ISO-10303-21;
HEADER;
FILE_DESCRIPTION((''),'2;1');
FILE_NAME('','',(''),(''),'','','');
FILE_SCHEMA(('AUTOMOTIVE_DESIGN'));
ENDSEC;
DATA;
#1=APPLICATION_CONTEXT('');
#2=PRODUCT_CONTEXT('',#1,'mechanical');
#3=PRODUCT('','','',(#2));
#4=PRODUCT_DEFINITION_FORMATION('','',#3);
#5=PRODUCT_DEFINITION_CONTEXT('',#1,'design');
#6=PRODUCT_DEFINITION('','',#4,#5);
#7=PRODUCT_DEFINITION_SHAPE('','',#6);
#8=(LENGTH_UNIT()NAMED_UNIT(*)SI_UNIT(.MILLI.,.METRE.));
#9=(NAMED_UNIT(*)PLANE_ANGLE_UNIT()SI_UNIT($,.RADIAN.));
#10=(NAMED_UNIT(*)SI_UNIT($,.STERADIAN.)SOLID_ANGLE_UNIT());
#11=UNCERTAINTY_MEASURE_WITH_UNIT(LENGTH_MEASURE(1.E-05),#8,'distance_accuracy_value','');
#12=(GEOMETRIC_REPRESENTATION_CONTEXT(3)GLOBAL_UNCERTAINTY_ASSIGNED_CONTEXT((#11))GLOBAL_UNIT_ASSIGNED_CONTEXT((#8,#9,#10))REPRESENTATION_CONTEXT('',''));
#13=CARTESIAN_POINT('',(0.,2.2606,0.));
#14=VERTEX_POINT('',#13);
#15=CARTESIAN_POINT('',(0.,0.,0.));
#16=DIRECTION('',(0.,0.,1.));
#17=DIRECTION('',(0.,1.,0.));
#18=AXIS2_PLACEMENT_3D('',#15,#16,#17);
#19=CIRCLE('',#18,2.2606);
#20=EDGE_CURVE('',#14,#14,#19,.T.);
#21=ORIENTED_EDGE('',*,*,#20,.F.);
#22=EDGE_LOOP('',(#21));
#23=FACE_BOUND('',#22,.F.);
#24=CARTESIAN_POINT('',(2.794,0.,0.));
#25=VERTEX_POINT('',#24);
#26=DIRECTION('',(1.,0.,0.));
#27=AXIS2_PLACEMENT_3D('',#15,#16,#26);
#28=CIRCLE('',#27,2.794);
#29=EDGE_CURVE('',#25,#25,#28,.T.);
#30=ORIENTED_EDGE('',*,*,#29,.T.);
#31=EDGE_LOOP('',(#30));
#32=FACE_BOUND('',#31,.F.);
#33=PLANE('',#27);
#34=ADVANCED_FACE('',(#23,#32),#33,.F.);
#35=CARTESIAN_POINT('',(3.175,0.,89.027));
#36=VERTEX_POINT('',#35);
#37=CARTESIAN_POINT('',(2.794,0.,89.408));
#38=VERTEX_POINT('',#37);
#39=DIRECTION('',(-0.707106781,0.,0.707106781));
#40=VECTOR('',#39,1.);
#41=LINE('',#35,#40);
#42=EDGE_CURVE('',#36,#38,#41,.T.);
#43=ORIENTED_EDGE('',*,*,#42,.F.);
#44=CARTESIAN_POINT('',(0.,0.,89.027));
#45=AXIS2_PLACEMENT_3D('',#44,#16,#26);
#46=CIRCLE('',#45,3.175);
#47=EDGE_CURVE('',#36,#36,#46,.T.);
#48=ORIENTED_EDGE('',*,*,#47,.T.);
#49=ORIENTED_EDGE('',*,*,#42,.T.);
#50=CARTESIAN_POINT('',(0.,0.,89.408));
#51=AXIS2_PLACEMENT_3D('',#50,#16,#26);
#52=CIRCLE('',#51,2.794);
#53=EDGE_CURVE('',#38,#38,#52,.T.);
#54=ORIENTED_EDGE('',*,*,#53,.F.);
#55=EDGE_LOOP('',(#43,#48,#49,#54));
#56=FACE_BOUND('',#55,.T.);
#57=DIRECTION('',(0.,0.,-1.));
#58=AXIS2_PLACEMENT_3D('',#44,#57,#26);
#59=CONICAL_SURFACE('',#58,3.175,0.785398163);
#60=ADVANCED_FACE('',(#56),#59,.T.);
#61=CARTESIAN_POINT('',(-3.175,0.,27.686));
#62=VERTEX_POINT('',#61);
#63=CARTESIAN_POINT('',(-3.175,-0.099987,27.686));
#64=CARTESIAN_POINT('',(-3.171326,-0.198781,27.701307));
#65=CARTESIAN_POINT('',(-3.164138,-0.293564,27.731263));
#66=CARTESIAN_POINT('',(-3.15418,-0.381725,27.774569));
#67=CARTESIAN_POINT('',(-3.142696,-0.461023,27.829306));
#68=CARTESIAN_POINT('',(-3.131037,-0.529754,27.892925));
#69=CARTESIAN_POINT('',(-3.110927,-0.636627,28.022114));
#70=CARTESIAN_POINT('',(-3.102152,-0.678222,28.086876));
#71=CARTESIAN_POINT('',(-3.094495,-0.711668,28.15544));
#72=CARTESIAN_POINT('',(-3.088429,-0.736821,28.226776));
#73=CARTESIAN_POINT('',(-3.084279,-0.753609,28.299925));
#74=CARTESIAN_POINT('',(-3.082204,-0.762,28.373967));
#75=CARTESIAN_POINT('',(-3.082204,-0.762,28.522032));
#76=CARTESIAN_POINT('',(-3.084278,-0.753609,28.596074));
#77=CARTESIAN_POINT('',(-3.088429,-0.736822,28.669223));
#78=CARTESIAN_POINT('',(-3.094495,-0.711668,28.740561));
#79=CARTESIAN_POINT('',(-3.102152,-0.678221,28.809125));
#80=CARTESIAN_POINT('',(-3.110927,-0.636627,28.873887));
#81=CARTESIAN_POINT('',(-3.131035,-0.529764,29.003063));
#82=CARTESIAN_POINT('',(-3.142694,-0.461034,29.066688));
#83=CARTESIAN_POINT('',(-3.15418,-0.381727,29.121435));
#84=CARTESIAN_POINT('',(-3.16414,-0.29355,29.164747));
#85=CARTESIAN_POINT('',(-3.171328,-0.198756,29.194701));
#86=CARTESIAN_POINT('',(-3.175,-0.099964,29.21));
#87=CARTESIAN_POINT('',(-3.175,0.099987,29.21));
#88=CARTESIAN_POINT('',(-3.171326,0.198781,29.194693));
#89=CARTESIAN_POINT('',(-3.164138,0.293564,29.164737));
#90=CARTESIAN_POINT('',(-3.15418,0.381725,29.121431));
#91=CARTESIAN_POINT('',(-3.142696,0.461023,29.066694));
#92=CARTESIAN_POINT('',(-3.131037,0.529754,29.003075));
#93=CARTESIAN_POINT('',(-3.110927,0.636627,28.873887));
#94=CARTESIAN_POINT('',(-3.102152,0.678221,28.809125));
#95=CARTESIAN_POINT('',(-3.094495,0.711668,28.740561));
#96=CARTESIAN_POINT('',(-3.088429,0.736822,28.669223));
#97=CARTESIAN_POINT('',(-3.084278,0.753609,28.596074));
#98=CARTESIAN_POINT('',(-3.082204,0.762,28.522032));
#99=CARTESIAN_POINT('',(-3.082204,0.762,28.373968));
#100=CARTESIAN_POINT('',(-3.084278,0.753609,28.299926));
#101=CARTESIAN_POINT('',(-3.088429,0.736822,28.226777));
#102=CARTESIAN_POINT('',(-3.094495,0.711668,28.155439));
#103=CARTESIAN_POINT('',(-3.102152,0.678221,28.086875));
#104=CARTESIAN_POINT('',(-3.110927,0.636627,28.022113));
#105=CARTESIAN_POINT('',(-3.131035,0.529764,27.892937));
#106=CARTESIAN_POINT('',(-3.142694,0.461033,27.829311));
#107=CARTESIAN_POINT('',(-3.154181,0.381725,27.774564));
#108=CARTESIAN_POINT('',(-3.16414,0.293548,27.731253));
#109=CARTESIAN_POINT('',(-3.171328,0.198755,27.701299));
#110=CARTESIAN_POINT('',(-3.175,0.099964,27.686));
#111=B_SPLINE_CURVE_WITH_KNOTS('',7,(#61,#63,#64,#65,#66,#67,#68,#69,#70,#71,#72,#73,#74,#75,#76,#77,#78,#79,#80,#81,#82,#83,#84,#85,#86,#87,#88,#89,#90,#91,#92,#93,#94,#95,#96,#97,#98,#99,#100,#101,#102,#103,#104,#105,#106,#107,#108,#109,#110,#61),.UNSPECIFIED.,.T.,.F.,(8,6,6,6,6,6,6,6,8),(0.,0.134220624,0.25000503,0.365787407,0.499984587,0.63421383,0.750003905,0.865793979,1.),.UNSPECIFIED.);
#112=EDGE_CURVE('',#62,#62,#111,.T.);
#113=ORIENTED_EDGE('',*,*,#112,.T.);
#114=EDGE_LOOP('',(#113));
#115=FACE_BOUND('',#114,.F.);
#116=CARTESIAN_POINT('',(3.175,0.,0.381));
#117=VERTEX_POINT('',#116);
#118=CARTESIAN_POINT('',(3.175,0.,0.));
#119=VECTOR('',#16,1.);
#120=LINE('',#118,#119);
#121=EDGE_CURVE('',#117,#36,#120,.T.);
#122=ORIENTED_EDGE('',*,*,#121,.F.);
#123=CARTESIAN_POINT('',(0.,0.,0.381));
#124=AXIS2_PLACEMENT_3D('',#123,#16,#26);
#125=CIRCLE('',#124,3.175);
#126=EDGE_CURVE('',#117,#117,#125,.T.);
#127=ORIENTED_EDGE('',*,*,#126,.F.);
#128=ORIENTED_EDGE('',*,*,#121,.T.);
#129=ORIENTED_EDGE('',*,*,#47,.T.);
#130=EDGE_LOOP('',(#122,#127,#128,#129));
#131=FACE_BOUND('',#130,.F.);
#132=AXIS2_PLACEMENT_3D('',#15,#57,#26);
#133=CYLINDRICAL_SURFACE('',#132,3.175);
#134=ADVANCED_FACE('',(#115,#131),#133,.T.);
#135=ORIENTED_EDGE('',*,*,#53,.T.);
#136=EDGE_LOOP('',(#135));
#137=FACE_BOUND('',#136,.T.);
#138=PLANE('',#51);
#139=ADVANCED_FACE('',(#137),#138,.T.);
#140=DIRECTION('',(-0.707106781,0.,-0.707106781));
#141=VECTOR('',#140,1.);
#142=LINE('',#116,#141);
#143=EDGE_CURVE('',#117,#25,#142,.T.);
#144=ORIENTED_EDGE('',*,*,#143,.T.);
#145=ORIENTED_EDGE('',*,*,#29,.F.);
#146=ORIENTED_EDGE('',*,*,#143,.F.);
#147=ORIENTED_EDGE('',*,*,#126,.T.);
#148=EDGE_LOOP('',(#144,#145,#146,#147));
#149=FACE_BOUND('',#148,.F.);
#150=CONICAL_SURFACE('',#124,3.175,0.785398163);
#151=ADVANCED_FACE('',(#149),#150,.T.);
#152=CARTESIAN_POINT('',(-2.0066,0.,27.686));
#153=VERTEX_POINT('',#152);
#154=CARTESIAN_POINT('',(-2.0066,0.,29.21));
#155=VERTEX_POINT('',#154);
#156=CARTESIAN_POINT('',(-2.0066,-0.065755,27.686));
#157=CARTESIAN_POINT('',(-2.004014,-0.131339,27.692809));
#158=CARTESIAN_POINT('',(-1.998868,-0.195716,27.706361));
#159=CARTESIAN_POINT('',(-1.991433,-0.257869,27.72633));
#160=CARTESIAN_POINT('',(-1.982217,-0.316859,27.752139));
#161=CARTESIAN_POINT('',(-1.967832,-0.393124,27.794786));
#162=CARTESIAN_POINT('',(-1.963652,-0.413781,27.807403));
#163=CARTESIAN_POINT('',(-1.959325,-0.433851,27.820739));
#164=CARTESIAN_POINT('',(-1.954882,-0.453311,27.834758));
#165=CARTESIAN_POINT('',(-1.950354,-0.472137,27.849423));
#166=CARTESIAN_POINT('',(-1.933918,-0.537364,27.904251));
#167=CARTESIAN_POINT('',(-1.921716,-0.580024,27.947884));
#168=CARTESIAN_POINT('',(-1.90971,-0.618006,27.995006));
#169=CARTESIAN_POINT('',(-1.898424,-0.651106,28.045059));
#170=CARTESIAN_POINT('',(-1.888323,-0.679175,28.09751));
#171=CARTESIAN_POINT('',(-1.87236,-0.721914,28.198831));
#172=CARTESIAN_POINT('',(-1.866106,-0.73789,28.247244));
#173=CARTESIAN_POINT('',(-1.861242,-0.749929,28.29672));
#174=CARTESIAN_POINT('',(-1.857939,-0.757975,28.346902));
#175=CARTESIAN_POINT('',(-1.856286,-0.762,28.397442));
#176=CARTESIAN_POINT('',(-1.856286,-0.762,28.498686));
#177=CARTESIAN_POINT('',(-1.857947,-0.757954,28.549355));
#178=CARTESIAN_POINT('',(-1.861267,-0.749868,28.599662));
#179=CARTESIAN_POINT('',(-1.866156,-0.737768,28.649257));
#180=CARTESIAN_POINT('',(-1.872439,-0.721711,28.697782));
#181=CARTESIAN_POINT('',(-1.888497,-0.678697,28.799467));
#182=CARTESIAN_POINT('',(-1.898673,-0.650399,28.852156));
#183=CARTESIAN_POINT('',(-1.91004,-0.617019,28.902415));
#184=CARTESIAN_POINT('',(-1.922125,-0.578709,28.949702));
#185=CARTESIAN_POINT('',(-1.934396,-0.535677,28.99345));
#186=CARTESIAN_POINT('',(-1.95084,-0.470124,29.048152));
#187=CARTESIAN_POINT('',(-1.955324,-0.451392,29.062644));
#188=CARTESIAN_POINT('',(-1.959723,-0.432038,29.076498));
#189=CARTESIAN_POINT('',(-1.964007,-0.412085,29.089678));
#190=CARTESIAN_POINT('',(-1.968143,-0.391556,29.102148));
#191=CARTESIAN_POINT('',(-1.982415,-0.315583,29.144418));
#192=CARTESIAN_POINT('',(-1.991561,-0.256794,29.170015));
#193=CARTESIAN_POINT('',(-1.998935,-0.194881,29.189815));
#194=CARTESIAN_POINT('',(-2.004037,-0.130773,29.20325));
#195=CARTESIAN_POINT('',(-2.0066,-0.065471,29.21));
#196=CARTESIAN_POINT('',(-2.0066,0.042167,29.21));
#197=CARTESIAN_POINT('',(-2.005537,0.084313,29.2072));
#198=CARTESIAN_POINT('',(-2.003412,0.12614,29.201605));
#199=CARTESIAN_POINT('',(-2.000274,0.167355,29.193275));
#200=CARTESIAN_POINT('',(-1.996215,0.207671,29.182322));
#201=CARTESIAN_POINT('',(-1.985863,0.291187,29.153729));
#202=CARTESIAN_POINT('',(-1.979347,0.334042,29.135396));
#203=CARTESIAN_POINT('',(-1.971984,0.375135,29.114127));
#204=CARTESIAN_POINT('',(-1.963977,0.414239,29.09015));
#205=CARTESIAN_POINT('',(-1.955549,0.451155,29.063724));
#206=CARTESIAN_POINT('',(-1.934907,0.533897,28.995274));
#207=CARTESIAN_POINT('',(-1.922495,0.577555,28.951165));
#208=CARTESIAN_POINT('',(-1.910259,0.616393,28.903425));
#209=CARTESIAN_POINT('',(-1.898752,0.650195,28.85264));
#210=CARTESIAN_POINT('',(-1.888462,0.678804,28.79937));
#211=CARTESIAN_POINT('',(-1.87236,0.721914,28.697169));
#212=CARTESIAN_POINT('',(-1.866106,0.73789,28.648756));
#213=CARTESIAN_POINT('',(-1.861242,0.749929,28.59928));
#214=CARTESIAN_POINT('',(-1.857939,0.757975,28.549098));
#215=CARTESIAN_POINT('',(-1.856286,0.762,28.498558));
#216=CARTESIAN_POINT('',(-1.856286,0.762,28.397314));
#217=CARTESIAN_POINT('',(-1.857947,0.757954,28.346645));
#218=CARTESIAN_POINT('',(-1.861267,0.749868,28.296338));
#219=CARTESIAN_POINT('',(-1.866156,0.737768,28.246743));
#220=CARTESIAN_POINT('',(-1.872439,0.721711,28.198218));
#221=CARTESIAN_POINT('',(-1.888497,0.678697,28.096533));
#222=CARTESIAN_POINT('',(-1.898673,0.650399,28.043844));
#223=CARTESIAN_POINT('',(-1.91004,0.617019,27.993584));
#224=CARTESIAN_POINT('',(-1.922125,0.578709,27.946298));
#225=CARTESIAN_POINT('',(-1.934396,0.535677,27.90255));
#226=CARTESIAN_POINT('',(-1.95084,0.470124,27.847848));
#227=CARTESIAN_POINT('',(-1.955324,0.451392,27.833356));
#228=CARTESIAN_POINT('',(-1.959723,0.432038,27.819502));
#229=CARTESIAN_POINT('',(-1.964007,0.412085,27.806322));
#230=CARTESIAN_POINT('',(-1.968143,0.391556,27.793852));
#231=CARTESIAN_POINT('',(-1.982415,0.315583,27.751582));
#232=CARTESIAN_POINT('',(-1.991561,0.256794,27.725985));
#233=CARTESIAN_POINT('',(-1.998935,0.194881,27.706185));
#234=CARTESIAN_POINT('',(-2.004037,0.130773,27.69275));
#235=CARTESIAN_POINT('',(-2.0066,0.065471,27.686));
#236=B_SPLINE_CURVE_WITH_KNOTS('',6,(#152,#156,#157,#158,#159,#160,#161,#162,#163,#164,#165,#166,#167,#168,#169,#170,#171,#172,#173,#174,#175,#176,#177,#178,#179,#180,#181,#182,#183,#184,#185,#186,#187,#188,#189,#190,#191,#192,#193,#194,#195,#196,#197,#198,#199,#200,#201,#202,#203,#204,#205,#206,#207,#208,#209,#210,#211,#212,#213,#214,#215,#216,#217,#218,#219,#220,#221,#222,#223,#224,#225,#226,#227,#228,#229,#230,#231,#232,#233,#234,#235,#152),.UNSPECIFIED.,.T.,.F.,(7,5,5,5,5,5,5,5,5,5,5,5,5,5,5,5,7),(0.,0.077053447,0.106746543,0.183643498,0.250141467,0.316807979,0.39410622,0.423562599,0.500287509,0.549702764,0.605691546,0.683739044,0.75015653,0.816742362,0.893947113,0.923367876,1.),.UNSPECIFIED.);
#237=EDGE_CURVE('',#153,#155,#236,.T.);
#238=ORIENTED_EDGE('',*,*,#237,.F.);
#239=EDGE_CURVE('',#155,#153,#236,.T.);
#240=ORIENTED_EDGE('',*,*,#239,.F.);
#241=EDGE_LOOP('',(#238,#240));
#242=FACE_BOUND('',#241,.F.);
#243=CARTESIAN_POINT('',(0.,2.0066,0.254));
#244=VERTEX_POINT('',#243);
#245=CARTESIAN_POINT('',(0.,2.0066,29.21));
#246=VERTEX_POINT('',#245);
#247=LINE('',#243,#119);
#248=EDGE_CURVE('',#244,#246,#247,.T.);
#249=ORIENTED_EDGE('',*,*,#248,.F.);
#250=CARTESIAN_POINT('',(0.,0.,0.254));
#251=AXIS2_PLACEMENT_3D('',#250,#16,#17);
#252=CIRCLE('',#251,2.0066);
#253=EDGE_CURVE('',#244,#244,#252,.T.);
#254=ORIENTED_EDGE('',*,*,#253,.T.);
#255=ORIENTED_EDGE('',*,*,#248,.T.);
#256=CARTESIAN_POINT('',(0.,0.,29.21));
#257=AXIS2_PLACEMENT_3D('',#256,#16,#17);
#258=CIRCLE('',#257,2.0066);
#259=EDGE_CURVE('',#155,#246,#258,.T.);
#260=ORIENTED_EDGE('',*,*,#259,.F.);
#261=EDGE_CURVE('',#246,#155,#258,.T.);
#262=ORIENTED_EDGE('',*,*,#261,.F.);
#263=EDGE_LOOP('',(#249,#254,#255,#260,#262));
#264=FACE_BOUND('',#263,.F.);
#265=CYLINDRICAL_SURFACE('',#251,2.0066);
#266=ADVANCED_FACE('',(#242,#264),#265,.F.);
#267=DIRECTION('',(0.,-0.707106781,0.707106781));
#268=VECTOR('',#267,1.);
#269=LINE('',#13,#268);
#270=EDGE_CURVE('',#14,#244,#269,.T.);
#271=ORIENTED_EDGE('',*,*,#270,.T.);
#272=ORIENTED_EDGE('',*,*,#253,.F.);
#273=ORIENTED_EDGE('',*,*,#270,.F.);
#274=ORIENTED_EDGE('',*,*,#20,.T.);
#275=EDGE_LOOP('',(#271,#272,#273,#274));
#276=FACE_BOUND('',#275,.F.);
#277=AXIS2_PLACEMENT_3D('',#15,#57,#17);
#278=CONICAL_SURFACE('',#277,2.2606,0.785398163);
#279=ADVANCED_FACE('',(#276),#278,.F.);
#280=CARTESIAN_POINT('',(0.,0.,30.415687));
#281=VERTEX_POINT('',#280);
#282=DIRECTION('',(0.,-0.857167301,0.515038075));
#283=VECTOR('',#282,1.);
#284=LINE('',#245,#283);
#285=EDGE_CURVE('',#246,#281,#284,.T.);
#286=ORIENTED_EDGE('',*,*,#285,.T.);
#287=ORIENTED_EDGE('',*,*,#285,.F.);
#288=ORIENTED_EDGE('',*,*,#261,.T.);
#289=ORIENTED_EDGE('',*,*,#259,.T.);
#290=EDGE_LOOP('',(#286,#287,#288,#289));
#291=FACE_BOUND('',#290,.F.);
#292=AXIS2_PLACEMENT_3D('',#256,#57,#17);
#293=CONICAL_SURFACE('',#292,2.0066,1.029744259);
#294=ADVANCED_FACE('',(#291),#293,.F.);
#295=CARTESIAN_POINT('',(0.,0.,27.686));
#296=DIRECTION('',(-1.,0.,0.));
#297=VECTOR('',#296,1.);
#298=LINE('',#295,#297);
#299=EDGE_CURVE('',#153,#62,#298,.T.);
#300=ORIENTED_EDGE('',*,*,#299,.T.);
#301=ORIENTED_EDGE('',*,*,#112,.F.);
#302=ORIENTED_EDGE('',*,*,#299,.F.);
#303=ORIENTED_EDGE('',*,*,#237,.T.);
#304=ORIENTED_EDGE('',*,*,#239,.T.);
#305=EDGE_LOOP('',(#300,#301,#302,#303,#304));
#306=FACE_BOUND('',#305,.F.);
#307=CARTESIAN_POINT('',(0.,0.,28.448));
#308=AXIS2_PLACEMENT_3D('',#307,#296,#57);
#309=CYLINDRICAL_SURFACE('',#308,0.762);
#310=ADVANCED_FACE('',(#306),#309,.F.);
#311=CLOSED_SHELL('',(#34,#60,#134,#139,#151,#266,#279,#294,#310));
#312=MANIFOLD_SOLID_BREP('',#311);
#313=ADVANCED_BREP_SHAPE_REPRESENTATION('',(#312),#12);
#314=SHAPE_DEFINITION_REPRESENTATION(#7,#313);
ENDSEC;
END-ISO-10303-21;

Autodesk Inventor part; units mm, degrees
ref_plane "YZ Plane" through (0, 0, 0) normal (1, 0, 0) x (0, 1, 0)
ref_plane "XZ Plane" through (0, 0, 0) normal (0, 1, 0) x (-1, 0, 0)
ref_plane "XY Plane" through (0, 0, 0) normal (0, 0, 1) x (1, 0, 0)
sketch "Sketch1" plane through (0, 0, 0) normal (0, 0, 1) x (1, 0, 0)
  circle A0 centre (0, 0) radius 3.175
  dimension "d0" = 6.35
extrude "Extrusion1" add sketch "Sketch1" along normal blind 89.408
hole "Hole2" at (0, 0, 0) direction (0, 0, 1) diameter 4.0132 depth 29.21 tip angle 118 countersink diameter 4.5212 countersink angle 90
chamfer "Chamfer3" distance 0.381 angle 45 2 edges at (-3.175, 0, 89.408) (-3.175, 0, 0)
sketch "Sketch11" plane through (0, 0, 0) normal (1, 0, 0) x (0, 1, 0)
  line L0 (-2.0066, 29.21) -> (2.0066, 29.21) projected
  line L1 (0, 107.2896) -> (0, -17.8816) projected
  circle A0 centre (0, 28.448) radius 0.762 construction
  point P0 (0, 0)
  dimension "d65" = 1.524
hole "Hole3" at (0, 0, 28.448) direction (-1, 0, 0) diameter 1.524 depth 3.81 tip angle 118
properties part number "J008574 NEUROPIXELS GEN 2 ROD ADAPTER Rev -" material "ALUMINUM, 6061-T651"
